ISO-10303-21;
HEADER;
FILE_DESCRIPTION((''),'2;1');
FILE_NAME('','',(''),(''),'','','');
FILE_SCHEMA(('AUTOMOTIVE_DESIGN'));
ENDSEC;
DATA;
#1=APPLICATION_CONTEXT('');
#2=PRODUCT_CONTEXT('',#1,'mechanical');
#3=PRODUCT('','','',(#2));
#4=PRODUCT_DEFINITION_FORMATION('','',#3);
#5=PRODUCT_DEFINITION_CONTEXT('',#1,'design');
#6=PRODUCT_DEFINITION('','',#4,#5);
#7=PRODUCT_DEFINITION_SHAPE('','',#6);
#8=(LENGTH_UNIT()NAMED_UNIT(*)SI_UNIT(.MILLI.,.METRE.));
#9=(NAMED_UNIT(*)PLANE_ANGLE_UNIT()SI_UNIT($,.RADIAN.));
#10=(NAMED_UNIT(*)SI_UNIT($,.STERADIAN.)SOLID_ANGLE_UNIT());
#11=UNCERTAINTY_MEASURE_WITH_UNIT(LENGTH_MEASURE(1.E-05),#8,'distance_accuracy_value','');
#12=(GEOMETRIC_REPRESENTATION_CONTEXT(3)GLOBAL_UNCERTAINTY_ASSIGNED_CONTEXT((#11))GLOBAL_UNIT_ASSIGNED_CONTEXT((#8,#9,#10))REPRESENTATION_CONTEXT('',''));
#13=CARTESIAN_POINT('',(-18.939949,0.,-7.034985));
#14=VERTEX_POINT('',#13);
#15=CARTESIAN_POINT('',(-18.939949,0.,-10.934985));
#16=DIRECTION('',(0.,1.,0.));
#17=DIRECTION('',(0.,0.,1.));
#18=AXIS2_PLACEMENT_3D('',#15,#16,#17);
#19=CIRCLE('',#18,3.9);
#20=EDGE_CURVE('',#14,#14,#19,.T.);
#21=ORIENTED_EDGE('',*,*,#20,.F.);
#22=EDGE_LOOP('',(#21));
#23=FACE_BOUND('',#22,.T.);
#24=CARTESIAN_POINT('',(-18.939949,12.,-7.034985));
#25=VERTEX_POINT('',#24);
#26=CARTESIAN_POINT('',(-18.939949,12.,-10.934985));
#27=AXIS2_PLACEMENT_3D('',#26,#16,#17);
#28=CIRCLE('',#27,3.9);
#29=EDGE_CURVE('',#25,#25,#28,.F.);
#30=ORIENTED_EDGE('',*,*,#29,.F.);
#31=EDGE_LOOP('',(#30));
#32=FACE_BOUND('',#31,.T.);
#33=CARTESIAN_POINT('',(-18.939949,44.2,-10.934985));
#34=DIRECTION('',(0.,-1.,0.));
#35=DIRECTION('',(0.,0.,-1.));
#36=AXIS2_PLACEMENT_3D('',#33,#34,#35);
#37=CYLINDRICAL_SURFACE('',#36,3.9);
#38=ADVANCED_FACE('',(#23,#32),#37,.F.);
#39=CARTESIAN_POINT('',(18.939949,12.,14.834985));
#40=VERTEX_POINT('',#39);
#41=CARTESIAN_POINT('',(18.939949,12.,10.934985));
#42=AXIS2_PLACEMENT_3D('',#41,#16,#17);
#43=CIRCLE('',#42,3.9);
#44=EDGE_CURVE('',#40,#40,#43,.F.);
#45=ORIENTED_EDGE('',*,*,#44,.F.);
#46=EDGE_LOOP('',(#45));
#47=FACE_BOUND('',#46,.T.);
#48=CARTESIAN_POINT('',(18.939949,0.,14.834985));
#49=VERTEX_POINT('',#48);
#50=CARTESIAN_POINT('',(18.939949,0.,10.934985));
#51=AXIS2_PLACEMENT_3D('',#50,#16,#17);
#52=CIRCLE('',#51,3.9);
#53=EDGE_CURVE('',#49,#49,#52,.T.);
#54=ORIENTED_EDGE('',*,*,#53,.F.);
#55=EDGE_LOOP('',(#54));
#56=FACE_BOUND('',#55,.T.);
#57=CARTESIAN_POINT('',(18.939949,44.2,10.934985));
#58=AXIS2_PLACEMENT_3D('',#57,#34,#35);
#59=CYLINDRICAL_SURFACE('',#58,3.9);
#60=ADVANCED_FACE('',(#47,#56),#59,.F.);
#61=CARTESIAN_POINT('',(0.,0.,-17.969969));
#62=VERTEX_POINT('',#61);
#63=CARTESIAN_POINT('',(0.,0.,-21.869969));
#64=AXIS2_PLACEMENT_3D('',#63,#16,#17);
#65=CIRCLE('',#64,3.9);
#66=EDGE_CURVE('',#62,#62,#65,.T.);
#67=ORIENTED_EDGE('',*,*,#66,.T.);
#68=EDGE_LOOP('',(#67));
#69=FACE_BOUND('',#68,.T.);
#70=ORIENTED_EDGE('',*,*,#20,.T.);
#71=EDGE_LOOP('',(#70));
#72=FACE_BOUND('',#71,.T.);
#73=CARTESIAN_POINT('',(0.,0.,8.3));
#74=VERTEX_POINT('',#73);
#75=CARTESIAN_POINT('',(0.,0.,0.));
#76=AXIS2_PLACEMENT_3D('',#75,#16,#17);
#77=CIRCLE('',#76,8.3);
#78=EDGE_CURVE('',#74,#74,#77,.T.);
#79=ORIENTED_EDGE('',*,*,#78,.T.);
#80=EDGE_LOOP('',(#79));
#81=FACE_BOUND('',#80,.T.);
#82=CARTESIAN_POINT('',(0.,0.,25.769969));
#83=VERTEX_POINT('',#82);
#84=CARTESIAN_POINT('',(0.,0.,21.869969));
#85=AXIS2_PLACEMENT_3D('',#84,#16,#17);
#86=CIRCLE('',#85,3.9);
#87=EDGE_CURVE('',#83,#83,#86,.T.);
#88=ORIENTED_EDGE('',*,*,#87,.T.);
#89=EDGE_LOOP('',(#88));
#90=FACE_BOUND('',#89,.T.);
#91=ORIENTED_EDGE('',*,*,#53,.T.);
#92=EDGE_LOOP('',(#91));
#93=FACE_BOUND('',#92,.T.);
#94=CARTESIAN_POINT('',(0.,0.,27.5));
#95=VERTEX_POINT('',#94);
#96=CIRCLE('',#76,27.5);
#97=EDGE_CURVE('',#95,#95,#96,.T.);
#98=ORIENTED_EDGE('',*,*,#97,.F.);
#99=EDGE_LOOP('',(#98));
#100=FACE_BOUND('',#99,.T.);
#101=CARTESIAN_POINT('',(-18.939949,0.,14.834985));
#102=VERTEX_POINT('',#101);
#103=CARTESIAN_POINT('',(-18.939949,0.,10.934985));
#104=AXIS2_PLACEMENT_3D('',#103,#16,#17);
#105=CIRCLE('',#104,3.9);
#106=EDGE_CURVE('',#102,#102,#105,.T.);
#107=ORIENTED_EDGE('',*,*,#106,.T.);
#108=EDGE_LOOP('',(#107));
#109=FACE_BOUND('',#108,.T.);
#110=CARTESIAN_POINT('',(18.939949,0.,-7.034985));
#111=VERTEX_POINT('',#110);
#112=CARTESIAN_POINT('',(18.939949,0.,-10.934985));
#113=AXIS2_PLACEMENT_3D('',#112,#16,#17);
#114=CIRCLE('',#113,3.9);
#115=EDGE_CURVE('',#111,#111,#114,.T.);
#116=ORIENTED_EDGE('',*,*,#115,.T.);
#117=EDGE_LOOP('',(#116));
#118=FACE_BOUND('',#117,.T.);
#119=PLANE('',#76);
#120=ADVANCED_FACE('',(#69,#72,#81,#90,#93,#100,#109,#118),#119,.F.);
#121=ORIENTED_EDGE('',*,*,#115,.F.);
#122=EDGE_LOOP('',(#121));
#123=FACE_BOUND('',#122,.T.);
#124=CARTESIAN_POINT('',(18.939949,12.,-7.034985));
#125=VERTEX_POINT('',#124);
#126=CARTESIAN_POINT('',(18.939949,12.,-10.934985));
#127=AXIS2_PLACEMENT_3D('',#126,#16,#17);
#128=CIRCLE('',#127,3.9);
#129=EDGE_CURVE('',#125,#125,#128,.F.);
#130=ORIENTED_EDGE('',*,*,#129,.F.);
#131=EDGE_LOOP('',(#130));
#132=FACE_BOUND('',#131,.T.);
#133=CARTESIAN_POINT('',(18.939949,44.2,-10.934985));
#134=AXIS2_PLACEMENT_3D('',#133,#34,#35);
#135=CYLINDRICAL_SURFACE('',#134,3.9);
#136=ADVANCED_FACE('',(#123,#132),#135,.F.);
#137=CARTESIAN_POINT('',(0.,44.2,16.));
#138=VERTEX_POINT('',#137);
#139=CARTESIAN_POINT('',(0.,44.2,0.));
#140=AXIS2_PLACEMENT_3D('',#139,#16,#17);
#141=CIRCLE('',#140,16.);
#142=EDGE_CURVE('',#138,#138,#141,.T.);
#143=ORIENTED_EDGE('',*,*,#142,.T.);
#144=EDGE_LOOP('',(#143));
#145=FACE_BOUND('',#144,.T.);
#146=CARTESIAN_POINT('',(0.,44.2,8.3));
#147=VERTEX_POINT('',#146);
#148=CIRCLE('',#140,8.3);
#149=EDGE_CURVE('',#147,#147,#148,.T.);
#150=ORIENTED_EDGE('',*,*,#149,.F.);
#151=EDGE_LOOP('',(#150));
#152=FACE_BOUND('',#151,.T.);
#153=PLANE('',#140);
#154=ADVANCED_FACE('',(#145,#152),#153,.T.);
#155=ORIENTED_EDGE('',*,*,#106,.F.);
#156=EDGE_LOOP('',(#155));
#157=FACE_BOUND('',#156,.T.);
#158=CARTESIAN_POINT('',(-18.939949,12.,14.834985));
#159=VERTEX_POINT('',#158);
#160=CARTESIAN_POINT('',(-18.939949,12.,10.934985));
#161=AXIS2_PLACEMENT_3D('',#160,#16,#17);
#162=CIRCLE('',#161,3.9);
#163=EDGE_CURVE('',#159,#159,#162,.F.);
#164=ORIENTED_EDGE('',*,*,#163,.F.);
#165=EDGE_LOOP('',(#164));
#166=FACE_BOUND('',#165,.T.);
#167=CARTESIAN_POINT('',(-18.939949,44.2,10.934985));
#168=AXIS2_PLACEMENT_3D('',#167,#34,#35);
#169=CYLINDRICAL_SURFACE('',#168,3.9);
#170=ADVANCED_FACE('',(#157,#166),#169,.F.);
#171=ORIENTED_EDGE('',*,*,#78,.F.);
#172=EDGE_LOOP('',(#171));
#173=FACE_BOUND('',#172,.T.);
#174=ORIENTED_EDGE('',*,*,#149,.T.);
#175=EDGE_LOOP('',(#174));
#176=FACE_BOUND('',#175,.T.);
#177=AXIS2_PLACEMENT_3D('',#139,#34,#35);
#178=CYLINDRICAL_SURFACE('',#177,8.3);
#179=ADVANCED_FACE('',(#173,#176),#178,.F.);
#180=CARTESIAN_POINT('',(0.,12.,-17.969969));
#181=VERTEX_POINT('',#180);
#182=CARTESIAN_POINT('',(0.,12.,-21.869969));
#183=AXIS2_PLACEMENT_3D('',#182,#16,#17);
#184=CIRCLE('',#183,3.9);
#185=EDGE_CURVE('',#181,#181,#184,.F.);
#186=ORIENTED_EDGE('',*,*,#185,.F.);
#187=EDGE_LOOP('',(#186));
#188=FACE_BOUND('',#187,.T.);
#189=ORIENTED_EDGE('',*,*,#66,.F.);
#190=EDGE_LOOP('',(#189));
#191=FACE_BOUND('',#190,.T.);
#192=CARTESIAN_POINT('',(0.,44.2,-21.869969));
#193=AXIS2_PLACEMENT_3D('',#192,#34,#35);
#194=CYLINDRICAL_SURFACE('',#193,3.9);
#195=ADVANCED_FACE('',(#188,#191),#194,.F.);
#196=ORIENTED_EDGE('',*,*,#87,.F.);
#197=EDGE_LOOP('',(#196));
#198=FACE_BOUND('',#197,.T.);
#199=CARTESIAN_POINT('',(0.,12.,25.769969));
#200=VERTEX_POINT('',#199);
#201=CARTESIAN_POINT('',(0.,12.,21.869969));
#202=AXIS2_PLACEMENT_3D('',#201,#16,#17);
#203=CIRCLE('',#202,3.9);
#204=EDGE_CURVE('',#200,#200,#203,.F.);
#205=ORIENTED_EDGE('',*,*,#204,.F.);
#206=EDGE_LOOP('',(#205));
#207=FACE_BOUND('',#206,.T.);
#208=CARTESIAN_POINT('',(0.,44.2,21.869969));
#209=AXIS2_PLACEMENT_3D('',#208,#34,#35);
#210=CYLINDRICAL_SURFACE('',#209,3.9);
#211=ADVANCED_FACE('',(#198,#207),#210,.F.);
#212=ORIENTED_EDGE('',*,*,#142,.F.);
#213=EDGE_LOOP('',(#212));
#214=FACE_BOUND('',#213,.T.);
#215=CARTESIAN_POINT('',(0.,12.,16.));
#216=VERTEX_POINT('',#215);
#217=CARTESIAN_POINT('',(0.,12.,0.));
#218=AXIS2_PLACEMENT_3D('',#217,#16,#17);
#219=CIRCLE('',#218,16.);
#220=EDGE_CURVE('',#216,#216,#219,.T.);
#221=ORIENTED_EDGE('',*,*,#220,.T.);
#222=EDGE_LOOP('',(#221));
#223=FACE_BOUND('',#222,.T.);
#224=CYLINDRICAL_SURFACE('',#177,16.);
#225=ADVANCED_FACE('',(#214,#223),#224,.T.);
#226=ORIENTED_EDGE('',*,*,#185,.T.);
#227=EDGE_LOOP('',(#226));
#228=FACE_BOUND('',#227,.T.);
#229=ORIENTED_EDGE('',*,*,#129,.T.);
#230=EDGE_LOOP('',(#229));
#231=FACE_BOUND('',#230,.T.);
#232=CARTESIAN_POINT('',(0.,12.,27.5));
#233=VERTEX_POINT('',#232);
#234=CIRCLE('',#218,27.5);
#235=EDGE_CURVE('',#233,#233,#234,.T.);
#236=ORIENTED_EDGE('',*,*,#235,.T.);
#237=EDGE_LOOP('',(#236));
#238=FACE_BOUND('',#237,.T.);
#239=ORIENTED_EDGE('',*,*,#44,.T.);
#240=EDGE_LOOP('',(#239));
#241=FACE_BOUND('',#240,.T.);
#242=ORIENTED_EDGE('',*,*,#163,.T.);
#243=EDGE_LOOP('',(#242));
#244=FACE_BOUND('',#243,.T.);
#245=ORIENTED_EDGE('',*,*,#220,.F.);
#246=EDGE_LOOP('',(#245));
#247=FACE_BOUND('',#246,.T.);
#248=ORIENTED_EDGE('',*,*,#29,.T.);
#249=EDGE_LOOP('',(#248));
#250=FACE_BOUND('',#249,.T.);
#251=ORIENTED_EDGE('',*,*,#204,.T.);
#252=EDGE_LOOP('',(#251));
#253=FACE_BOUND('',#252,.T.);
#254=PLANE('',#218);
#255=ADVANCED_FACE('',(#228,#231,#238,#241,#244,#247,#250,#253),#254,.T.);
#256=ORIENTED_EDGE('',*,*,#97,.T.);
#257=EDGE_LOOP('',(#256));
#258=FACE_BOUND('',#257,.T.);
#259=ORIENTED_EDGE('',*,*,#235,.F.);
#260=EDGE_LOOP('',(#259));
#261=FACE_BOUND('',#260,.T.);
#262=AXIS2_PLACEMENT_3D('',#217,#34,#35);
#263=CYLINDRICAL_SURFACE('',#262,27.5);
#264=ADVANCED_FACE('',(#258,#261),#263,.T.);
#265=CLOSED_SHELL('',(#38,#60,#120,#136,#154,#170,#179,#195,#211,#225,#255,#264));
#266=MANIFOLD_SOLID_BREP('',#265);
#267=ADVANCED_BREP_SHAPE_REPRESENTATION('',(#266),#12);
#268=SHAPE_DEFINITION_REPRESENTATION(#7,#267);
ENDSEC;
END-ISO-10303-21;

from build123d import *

# Parameters (mm, degrees)
SKETCH1_R           = 27.5
SKETCH1_R_2         = 16
BOSS_EXTRUDE1_DEPTH = 12
SKETCH1_2_R         = 16
BOSS_EXTRUDE2_DEPTH = 44.2
SKETCH3_R           = 8.3
SKETCH3_R_2         = 3.9
CUT_EXTRUDE1_DEPTH  = 45.2


with BuildPart() as part:
    # Sketch1 → Boss-Extrude1 (new body)
    with BuildSketch(Plane(origin=(0, 0, 0), x_dir=(1, 0, 0), z_dir=(0, 1, 0))):
        Circle(SKETCH1_R)
        Circle(SKETCH1_R_2, mode=Mode.SUBTRACT)
    extrude(amount=BOSS_EXTRUDE1_DEPTH)

    # Sketch1<2> → Boss-Extrude2 (add)
    with BuildSketch(Plane(origin=(0, 0, 0), x_dir=(1, 0, 0), z_dir=(0, 1, 0))):
        Circle(SKETCH1_2_R)
    extrude(amount=BOSS_EXTRUDE2_DEPTH)

    # Sketch3 → Cut-Extrude1 (cut, through all)
    with BuildSketch(Plane(origin=(0, 0, 0), x_dir=(1, 0, 0), z_dir=(0, 1, 0))):
        Circle(SKETCH3_R)
        with Locations((0, -21.869969165)):
            Circle(SKETCH3_R_2)
        with Locations((-18.939948877, -10.934984583)):
            Circle(SKETCH3_R_2)
        with Locations((-18.939948877, 10.934984583)):
            Circle(SKETCH3_R_2)
        with Locations((0, 21.869969165)):
            Circle(SKETCH3_R_2)
        with Locations((18.939948877, 10.934984583)):
            Circle(SKETCH3_R_2)
        with Locations((18.939948877, -10.934984583)):
            Circle(SKETCH3_R_2)
    extrude(amount=CUT_EXTRUDE1_DEPTH, mode=Mode.SUBTRACT)


solid = part.part
